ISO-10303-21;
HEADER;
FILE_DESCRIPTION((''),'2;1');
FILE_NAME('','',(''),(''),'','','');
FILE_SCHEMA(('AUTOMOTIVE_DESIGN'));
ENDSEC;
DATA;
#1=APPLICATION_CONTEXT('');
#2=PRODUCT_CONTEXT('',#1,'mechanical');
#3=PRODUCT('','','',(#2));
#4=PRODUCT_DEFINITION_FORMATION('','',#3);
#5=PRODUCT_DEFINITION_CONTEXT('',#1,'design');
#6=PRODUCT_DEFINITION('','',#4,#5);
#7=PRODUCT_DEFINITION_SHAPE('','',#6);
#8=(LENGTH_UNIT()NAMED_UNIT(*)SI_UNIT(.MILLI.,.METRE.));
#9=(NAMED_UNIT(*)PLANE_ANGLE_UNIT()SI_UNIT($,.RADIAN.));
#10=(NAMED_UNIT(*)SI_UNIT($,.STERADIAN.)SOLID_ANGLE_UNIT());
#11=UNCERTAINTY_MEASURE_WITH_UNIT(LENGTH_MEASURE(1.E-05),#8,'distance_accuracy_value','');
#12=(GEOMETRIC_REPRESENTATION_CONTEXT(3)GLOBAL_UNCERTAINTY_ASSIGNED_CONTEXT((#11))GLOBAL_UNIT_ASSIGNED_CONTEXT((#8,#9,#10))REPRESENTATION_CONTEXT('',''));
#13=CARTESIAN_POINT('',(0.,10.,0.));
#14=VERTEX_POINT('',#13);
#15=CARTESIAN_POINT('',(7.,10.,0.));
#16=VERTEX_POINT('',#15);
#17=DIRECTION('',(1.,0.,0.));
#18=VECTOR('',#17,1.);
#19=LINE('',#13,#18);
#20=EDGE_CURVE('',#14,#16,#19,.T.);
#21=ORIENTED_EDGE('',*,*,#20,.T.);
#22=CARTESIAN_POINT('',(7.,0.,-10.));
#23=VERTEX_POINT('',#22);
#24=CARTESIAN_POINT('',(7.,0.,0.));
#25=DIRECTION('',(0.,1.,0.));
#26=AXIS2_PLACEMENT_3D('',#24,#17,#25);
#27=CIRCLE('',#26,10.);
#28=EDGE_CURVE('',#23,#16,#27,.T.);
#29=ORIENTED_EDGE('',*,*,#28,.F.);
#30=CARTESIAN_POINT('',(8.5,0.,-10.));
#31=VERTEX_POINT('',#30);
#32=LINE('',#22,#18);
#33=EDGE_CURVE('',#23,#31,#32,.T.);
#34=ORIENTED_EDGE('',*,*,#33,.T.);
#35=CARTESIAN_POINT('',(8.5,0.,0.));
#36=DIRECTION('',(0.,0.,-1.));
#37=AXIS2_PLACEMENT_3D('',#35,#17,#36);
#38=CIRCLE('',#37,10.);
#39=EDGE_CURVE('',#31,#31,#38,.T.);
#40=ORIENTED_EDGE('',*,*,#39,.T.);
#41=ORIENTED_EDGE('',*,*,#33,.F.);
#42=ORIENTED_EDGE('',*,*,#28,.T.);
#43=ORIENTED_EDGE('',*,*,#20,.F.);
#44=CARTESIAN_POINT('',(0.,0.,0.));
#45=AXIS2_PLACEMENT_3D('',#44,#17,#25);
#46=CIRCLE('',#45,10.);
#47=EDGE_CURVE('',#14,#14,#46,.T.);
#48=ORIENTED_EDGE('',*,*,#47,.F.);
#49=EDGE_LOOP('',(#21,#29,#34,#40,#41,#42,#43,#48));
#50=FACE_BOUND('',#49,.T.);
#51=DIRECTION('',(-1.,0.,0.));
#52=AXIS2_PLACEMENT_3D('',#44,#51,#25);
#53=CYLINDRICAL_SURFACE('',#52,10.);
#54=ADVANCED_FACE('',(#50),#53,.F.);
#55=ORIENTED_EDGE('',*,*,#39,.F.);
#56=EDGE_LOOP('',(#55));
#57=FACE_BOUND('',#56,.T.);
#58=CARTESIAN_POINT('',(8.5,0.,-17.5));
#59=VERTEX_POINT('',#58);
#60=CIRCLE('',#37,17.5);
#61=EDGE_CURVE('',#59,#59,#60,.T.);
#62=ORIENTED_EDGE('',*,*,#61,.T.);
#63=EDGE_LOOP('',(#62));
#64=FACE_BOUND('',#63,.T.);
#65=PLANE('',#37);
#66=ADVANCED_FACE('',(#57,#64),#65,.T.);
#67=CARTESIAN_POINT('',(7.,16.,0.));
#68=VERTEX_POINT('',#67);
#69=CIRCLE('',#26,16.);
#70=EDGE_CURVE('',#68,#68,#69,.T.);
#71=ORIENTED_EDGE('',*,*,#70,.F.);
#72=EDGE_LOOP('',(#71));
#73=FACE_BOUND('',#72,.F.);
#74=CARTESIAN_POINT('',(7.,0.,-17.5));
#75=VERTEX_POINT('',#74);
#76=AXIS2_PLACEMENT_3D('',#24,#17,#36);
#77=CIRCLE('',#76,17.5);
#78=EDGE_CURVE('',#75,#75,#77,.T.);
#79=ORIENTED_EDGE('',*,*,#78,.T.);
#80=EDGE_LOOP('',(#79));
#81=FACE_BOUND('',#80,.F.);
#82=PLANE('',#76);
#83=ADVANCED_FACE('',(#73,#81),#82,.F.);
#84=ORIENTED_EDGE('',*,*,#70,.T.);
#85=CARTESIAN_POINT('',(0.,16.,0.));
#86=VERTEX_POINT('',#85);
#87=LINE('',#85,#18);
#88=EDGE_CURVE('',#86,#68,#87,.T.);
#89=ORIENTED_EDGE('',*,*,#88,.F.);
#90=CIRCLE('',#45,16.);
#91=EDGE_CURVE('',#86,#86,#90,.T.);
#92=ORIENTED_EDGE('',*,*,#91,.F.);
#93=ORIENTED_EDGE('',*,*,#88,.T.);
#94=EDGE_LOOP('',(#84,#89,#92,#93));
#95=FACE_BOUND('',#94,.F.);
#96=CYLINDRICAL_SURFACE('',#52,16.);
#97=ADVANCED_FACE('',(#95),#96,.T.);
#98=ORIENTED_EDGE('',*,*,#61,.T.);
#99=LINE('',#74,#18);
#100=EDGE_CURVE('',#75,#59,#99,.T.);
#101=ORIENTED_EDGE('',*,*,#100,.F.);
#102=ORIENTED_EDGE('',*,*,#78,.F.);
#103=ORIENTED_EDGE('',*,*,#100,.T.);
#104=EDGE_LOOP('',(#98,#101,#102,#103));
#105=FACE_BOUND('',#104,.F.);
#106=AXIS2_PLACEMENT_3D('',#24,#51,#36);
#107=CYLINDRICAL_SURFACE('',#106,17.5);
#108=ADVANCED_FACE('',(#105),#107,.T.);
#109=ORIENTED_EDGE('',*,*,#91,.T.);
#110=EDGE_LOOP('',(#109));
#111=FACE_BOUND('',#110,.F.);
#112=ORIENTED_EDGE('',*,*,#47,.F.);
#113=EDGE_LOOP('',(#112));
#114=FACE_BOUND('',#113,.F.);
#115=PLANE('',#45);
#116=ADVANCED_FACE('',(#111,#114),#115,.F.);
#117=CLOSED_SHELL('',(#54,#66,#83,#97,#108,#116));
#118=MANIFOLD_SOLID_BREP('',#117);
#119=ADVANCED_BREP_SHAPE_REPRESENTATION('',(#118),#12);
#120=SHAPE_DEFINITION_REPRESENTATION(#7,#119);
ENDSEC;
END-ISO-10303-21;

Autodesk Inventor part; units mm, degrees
ref_plane "YZ Plane" through (0, 0, 0) normal (1, 0, 0) x (0, 1, 0)
ref_plane "XZ Plane" through (0, 0, 0) normal (0, 1, 0) x (-1, 0, 0)
ref_plane "XY Plane" through (0, 0, 0) normal (0, 0, 1) x (1, 0, 0)
sketch "Sketch1" plane through (0, 0, 0) normal (1, 0, 0) x (0, 1, 0)
  circle A0 centre (0, 0) radius 10
  circle A1 centre (0, 0) radius 16
  dimension "d0" = 20
  dimension "d1" = 32
extrude "Extrusion1" add sketch "Sketch1" along normal blind 7
sketch "Sketch2" plane through (7, 0, 0) normal (1, 0, 0) x (0, 0, -1)
  circle A0 centre (0, 0) radius 10
  circle A1 centre (0, 0) radius 17.5
  dimension "d4" = 20
  dimension "d5" = 35
extrude "Extrusion2" add sketch "Sketch2" along normal blind 1.5
properties part number "F6804"
